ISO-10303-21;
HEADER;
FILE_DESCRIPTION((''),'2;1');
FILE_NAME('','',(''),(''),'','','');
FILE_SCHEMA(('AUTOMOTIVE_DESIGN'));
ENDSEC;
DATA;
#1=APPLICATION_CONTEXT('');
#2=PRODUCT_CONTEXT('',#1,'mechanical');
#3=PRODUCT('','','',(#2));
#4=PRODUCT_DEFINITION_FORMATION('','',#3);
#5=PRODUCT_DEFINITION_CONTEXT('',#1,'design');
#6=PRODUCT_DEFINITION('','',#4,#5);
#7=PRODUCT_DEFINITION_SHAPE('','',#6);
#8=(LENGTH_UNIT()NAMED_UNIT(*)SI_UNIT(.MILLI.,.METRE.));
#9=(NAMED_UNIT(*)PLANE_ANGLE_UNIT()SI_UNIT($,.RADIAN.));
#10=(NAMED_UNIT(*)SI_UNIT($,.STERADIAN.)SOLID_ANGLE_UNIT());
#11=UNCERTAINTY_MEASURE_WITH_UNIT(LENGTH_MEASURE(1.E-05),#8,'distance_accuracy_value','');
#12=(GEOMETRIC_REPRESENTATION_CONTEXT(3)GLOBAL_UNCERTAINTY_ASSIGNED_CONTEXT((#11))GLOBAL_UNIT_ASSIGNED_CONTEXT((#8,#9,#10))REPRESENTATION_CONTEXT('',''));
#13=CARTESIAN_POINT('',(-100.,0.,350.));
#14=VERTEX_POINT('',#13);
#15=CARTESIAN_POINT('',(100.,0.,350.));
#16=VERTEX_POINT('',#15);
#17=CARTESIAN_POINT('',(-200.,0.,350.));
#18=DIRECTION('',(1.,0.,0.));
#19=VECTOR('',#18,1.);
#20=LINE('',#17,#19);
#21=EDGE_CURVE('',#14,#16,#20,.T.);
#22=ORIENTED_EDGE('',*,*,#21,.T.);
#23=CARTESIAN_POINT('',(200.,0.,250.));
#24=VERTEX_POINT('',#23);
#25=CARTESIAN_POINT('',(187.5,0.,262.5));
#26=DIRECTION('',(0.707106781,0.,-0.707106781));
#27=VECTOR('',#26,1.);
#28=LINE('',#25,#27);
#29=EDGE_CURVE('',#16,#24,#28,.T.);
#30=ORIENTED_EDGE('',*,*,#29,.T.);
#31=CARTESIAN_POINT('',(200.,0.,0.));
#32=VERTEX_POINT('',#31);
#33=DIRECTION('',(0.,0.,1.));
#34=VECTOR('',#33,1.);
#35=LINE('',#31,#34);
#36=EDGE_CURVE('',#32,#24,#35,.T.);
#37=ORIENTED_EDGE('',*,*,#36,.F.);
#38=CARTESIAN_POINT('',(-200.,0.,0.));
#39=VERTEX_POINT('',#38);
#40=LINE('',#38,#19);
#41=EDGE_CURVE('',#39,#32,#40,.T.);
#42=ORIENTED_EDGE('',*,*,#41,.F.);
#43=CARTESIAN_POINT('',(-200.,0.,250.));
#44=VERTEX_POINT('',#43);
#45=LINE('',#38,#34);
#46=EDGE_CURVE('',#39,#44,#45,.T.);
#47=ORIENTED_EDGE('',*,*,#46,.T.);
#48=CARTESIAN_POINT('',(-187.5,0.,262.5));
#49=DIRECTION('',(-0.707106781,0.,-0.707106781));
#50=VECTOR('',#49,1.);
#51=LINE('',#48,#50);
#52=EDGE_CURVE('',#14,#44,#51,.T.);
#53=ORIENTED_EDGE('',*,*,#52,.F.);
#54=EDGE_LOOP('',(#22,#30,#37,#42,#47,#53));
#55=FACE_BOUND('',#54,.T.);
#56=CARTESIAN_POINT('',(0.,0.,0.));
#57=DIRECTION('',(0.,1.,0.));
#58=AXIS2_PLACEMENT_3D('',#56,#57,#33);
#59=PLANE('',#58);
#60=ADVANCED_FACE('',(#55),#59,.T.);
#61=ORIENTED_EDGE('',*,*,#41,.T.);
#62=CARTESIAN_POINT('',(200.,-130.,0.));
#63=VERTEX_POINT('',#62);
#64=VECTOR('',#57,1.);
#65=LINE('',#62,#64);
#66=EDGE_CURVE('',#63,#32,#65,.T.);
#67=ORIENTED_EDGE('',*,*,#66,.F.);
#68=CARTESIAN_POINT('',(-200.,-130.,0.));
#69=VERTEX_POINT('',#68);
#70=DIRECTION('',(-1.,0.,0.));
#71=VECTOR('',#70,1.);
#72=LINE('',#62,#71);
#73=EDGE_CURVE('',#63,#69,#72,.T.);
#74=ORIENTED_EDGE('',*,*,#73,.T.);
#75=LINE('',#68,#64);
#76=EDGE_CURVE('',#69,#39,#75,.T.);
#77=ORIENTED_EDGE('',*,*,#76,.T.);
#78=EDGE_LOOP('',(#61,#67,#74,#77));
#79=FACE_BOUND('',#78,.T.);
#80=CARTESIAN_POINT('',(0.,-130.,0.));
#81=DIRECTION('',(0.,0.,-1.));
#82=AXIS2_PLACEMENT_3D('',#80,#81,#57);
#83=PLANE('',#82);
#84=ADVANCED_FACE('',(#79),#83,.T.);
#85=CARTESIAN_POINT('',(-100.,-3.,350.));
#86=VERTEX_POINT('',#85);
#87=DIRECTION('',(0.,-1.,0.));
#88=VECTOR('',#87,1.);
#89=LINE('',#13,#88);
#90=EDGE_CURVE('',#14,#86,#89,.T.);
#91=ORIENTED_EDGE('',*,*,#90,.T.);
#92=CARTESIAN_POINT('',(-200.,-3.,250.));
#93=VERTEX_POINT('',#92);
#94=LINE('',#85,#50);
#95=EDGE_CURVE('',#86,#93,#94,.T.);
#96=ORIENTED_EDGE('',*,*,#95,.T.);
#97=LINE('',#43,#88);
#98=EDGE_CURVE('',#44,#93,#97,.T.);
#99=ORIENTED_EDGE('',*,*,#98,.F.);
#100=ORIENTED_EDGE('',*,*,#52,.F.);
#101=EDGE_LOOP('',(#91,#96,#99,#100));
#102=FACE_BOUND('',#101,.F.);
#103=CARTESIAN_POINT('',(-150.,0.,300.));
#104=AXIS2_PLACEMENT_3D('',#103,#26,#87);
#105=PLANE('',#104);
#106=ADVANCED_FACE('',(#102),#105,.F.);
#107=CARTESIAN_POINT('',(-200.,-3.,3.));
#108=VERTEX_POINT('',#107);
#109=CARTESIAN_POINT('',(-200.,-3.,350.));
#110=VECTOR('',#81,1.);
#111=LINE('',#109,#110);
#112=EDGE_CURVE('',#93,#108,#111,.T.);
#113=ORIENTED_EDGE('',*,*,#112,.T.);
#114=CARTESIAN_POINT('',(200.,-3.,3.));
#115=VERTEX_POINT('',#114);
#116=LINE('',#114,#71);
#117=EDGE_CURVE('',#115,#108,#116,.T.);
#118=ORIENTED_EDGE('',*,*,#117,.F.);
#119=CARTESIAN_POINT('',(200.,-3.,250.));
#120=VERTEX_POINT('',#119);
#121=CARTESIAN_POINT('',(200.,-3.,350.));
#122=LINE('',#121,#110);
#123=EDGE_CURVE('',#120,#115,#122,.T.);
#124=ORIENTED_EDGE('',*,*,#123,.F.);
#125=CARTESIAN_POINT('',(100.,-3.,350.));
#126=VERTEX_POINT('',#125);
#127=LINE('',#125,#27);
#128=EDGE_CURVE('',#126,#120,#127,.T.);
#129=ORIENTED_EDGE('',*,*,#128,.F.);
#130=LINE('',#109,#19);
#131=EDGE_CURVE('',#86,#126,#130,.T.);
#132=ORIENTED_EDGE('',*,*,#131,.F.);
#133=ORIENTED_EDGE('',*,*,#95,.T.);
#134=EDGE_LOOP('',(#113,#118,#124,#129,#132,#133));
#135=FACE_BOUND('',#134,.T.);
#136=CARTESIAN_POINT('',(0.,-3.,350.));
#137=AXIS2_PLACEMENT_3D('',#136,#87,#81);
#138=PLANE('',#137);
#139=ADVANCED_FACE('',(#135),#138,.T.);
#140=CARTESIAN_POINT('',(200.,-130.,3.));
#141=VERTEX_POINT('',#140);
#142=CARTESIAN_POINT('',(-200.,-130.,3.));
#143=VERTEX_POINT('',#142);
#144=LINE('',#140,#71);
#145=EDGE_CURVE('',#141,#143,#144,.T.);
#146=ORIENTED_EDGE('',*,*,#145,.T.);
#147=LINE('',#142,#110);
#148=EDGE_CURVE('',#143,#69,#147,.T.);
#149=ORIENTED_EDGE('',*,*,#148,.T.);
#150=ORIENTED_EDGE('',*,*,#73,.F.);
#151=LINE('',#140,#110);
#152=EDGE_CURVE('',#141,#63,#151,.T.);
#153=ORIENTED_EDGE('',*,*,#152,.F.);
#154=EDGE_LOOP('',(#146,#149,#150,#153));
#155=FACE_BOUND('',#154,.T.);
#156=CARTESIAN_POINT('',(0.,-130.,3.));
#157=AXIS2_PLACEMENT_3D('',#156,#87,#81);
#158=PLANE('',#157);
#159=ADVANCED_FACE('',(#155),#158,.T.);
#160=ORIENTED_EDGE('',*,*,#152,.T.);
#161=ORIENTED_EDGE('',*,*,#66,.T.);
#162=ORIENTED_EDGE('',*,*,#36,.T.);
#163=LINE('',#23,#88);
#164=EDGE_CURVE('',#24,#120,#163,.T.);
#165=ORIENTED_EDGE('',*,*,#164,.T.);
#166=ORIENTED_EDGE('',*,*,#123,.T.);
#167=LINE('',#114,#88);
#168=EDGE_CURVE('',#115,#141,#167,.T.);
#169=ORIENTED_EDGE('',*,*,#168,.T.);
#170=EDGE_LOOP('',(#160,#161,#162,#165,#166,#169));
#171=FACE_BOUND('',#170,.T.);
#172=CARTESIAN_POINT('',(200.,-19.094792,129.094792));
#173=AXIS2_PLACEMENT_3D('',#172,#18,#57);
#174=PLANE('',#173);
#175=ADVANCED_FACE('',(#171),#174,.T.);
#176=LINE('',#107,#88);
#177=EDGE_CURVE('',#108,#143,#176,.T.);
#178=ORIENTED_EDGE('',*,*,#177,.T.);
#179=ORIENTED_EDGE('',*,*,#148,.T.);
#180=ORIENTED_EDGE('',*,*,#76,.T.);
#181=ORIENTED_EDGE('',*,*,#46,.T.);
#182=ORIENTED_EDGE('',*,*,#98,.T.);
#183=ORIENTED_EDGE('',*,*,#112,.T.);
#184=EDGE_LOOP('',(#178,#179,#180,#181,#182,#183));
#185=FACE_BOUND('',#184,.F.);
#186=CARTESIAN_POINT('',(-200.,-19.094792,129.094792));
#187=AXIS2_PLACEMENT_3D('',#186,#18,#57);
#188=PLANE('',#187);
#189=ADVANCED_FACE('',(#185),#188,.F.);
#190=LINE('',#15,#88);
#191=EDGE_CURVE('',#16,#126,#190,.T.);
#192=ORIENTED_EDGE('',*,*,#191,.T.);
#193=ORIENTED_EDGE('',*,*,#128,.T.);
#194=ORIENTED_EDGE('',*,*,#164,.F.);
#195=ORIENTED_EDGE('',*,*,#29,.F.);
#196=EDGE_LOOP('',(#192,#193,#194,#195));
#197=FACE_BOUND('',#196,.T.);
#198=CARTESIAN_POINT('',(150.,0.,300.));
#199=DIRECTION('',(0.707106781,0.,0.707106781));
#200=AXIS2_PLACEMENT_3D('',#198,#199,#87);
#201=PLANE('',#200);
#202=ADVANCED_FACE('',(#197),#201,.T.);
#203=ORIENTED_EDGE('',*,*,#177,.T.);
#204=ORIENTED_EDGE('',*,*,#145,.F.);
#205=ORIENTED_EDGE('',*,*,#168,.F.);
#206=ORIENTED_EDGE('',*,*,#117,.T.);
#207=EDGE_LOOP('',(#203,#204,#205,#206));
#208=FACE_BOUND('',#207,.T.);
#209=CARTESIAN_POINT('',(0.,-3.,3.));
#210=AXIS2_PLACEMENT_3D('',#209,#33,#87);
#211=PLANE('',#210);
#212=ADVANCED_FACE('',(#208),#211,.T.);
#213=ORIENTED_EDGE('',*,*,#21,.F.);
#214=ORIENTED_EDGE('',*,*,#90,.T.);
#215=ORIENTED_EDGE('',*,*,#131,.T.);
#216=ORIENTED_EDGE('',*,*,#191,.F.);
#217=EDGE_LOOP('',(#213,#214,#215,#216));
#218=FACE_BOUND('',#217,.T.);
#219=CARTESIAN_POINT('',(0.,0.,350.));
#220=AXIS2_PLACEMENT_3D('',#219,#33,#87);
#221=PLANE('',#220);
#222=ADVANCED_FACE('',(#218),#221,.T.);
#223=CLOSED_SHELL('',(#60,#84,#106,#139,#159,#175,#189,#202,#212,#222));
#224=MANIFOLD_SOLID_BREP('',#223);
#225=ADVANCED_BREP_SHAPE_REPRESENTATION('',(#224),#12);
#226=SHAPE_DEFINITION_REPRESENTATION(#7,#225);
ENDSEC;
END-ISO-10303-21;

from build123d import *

# Parameters (mm, degrees)
F1_DEPTH = 200
F2_SIZE  = 100


with BuildPart() as f1:
    # F0 (on Right) → F1 (new body, symmetric)
    with BuildSketch(Plane.YZ):
        Polygon((-130, 0), (0, 0), (0, 350), (-3, 350), (-3, 3), (-130, 3), align=None)
    extrude(amount=F1_DEPTH, both=True)

    # F2
    f2_edges = [f1.edges().sort_by_distance(p)[0] for p in [
        (200, -1.5, 350),
        (-200, -1.5, 350),
    ]]
    chamfer(f2_edges, length=F2_SIZE)


solid = f1.part
